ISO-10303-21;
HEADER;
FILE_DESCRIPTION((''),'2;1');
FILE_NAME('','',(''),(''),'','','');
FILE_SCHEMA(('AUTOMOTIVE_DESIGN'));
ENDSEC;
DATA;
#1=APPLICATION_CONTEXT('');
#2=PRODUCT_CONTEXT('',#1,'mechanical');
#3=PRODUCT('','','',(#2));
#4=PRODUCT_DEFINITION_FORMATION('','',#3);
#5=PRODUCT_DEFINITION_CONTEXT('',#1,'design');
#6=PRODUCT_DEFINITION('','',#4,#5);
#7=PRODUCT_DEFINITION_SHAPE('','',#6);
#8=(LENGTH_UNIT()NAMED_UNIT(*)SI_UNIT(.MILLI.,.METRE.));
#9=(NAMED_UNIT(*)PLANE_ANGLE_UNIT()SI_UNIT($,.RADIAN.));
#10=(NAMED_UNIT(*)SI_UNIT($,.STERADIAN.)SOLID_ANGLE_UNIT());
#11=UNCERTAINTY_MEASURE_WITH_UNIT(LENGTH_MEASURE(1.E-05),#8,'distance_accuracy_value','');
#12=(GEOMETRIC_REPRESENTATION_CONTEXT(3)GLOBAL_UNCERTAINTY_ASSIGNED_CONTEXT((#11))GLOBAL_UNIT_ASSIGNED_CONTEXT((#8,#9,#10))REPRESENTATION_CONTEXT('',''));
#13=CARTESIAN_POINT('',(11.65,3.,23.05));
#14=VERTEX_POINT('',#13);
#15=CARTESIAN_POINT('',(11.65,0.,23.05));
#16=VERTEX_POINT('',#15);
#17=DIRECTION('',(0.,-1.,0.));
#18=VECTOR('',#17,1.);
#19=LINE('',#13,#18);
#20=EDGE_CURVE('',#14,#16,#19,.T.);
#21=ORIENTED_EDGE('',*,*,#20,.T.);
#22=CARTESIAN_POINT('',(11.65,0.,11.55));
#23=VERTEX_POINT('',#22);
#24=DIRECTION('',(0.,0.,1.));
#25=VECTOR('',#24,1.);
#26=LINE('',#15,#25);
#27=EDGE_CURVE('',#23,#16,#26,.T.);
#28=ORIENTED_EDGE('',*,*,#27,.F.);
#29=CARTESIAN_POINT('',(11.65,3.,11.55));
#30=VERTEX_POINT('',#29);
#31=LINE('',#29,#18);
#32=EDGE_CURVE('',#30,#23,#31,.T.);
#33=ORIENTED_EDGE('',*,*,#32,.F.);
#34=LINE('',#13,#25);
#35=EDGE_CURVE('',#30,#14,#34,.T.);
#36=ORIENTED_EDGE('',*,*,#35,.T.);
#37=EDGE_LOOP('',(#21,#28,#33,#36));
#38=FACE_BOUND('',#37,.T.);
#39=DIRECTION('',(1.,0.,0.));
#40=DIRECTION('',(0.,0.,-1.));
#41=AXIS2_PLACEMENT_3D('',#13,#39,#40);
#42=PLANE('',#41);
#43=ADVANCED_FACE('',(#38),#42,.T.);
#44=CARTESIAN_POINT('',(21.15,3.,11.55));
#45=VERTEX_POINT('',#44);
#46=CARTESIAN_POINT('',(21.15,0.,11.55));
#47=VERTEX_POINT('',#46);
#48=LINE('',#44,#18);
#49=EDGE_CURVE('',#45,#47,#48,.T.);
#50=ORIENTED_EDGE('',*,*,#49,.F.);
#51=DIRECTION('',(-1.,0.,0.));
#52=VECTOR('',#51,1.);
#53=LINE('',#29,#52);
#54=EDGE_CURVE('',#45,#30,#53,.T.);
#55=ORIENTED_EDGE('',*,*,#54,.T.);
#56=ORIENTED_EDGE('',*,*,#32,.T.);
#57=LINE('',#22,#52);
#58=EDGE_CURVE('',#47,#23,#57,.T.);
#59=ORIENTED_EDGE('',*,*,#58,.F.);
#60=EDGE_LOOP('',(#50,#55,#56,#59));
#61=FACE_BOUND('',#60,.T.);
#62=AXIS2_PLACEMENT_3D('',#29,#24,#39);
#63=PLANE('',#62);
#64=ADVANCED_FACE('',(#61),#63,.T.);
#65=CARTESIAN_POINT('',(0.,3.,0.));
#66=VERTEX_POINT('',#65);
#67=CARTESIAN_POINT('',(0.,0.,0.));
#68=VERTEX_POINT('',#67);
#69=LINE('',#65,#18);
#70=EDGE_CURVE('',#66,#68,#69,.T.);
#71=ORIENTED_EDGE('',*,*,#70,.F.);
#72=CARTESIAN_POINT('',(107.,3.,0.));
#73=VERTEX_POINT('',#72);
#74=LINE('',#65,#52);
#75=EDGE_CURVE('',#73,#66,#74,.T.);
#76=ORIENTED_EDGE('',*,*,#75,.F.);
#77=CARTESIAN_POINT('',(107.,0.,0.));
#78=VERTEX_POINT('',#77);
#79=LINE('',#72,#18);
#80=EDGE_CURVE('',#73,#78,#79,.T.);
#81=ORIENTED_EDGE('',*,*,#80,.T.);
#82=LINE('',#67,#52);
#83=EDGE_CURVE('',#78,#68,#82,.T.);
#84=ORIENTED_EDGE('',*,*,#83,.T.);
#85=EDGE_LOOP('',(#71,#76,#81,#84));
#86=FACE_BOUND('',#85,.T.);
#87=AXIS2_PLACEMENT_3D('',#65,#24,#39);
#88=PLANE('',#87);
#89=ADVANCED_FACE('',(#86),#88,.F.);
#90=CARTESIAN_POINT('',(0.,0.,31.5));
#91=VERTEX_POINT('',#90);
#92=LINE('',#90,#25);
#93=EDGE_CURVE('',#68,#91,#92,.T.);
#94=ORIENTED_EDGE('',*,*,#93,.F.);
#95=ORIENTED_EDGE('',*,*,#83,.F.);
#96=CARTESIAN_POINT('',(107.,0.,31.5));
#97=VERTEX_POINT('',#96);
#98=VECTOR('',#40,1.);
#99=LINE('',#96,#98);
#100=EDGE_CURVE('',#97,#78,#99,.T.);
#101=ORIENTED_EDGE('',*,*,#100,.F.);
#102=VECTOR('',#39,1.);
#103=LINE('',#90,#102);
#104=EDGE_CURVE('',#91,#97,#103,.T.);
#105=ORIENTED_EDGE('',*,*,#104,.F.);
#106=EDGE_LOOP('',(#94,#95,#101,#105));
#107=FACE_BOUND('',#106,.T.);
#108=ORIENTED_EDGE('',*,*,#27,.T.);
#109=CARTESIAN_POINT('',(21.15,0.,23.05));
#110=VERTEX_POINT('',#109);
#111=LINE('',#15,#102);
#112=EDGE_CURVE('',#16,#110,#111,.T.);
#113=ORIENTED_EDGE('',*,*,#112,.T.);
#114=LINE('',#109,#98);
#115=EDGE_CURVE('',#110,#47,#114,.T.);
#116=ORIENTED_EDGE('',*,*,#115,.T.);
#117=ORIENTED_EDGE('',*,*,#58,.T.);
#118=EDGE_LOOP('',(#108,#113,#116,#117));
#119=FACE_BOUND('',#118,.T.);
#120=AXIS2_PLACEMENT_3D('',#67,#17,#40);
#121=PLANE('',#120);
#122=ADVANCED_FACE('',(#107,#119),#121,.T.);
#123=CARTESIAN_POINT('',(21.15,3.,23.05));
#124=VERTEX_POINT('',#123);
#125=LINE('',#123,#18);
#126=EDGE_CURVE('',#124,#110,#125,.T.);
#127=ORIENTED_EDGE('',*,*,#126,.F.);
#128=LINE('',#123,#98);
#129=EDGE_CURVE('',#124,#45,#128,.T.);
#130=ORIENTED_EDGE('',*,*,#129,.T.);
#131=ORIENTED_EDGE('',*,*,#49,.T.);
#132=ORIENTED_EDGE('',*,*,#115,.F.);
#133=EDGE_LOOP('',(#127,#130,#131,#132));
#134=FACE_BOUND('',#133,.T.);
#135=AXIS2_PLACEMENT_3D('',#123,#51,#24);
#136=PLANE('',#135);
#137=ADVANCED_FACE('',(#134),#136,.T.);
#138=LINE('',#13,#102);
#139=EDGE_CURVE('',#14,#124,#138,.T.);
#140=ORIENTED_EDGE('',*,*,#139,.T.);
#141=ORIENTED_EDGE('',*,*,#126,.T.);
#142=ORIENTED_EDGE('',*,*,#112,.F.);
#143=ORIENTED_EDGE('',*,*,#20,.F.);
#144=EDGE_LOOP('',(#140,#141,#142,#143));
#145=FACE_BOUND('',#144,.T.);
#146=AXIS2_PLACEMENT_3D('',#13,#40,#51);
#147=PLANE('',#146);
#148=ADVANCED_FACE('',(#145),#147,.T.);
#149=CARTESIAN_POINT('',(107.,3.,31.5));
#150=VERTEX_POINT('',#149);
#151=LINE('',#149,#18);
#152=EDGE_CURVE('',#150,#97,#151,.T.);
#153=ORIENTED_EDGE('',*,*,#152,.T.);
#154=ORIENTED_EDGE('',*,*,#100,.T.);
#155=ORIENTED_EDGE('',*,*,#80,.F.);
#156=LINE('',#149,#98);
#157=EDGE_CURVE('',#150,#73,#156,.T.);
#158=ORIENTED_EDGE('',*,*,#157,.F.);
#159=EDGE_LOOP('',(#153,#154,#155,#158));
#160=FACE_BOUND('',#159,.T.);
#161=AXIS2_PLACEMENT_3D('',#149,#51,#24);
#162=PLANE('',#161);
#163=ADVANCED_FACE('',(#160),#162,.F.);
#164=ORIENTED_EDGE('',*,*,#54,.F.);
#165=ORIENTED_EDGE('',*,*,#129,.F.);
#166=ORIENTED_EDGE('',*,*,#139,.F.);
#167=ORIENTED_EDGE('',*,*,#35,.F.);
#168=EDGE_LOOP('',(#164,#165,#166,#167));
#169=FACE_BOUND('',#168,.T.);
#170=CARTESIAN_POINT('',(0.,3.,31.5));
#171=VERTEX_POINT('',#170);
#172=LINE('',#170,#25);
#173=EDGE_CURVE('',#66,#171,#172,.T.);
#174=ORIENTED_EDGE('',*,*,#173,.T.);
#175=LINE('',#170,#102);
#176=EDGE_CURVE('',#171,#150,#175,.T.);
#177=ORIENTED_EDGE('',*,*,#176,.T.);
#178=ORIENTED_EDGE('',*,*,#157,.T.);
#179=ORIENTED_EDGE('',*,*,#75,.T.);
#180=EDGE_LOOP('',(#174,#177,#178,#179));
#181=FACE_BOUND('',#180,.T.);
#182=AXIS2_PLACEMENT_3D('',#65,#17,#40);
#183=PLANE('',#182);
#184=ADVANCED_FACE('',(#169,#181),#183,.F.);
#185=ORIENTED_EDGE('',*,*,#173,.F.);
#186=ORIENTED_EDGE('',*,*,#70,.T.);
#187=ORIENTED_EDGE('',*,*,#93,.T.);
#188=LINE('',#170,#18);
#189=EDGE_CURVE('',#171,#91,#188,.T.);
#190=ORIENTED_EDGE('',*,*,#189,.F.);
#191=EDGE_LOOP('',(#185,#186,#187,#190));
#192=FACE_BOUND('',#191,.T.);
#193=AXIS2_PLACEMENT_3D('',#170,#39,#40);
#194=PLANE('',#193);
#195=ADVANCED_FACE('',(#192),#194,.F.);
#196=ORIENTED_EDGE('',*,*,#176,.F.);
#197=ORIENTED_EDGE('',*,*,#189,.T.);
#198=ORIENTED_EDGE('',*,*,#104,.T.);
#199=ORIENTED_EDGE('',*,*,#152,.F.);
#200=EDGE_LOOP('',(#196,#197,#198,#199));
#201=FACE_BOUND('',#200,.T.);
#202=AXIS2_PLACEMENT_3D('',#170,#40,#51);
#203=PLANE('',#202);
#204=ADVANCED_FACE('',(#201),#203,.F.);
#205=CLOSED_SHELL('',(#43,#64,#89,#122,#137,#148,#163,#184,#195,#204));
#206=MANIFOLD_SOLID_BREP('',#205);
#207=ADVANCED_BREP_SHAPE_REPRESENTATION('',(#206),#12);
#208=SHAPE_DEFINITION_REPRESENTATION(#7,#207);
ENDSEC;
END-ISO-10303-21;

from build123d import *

# Parameters (mm, degrees)
SKETCH_1_W      = 107
SKETCH_1_H      = 31.5
SKETCH_1_W_2    = 9.5
SKETCH_1_H_2    = 11.5
EXTRUDE_1_DEPTH = 3


with BuildPart() as part:
    # Эскиз1 → Бобышка-Вытянуть1 (new body)
    with BuildSketch(Plane(origin=(0, 0, 0), x_dir=(1, 0, 0), z_dir=(0, 1, 0))):
        with Locations((53.5, -15.75)):
            Rectangle(SKETCH_1_W, SKETCH_1_H)
        with Locations((16.4, -17.3)):
            Rectangle(SKETCH_1_W_2, SKETCH_1_H_2, mode=Mode.SUBTRACT)
    extrude(amount=EXTRUDE_1_DEPTH)


solid = part.part
